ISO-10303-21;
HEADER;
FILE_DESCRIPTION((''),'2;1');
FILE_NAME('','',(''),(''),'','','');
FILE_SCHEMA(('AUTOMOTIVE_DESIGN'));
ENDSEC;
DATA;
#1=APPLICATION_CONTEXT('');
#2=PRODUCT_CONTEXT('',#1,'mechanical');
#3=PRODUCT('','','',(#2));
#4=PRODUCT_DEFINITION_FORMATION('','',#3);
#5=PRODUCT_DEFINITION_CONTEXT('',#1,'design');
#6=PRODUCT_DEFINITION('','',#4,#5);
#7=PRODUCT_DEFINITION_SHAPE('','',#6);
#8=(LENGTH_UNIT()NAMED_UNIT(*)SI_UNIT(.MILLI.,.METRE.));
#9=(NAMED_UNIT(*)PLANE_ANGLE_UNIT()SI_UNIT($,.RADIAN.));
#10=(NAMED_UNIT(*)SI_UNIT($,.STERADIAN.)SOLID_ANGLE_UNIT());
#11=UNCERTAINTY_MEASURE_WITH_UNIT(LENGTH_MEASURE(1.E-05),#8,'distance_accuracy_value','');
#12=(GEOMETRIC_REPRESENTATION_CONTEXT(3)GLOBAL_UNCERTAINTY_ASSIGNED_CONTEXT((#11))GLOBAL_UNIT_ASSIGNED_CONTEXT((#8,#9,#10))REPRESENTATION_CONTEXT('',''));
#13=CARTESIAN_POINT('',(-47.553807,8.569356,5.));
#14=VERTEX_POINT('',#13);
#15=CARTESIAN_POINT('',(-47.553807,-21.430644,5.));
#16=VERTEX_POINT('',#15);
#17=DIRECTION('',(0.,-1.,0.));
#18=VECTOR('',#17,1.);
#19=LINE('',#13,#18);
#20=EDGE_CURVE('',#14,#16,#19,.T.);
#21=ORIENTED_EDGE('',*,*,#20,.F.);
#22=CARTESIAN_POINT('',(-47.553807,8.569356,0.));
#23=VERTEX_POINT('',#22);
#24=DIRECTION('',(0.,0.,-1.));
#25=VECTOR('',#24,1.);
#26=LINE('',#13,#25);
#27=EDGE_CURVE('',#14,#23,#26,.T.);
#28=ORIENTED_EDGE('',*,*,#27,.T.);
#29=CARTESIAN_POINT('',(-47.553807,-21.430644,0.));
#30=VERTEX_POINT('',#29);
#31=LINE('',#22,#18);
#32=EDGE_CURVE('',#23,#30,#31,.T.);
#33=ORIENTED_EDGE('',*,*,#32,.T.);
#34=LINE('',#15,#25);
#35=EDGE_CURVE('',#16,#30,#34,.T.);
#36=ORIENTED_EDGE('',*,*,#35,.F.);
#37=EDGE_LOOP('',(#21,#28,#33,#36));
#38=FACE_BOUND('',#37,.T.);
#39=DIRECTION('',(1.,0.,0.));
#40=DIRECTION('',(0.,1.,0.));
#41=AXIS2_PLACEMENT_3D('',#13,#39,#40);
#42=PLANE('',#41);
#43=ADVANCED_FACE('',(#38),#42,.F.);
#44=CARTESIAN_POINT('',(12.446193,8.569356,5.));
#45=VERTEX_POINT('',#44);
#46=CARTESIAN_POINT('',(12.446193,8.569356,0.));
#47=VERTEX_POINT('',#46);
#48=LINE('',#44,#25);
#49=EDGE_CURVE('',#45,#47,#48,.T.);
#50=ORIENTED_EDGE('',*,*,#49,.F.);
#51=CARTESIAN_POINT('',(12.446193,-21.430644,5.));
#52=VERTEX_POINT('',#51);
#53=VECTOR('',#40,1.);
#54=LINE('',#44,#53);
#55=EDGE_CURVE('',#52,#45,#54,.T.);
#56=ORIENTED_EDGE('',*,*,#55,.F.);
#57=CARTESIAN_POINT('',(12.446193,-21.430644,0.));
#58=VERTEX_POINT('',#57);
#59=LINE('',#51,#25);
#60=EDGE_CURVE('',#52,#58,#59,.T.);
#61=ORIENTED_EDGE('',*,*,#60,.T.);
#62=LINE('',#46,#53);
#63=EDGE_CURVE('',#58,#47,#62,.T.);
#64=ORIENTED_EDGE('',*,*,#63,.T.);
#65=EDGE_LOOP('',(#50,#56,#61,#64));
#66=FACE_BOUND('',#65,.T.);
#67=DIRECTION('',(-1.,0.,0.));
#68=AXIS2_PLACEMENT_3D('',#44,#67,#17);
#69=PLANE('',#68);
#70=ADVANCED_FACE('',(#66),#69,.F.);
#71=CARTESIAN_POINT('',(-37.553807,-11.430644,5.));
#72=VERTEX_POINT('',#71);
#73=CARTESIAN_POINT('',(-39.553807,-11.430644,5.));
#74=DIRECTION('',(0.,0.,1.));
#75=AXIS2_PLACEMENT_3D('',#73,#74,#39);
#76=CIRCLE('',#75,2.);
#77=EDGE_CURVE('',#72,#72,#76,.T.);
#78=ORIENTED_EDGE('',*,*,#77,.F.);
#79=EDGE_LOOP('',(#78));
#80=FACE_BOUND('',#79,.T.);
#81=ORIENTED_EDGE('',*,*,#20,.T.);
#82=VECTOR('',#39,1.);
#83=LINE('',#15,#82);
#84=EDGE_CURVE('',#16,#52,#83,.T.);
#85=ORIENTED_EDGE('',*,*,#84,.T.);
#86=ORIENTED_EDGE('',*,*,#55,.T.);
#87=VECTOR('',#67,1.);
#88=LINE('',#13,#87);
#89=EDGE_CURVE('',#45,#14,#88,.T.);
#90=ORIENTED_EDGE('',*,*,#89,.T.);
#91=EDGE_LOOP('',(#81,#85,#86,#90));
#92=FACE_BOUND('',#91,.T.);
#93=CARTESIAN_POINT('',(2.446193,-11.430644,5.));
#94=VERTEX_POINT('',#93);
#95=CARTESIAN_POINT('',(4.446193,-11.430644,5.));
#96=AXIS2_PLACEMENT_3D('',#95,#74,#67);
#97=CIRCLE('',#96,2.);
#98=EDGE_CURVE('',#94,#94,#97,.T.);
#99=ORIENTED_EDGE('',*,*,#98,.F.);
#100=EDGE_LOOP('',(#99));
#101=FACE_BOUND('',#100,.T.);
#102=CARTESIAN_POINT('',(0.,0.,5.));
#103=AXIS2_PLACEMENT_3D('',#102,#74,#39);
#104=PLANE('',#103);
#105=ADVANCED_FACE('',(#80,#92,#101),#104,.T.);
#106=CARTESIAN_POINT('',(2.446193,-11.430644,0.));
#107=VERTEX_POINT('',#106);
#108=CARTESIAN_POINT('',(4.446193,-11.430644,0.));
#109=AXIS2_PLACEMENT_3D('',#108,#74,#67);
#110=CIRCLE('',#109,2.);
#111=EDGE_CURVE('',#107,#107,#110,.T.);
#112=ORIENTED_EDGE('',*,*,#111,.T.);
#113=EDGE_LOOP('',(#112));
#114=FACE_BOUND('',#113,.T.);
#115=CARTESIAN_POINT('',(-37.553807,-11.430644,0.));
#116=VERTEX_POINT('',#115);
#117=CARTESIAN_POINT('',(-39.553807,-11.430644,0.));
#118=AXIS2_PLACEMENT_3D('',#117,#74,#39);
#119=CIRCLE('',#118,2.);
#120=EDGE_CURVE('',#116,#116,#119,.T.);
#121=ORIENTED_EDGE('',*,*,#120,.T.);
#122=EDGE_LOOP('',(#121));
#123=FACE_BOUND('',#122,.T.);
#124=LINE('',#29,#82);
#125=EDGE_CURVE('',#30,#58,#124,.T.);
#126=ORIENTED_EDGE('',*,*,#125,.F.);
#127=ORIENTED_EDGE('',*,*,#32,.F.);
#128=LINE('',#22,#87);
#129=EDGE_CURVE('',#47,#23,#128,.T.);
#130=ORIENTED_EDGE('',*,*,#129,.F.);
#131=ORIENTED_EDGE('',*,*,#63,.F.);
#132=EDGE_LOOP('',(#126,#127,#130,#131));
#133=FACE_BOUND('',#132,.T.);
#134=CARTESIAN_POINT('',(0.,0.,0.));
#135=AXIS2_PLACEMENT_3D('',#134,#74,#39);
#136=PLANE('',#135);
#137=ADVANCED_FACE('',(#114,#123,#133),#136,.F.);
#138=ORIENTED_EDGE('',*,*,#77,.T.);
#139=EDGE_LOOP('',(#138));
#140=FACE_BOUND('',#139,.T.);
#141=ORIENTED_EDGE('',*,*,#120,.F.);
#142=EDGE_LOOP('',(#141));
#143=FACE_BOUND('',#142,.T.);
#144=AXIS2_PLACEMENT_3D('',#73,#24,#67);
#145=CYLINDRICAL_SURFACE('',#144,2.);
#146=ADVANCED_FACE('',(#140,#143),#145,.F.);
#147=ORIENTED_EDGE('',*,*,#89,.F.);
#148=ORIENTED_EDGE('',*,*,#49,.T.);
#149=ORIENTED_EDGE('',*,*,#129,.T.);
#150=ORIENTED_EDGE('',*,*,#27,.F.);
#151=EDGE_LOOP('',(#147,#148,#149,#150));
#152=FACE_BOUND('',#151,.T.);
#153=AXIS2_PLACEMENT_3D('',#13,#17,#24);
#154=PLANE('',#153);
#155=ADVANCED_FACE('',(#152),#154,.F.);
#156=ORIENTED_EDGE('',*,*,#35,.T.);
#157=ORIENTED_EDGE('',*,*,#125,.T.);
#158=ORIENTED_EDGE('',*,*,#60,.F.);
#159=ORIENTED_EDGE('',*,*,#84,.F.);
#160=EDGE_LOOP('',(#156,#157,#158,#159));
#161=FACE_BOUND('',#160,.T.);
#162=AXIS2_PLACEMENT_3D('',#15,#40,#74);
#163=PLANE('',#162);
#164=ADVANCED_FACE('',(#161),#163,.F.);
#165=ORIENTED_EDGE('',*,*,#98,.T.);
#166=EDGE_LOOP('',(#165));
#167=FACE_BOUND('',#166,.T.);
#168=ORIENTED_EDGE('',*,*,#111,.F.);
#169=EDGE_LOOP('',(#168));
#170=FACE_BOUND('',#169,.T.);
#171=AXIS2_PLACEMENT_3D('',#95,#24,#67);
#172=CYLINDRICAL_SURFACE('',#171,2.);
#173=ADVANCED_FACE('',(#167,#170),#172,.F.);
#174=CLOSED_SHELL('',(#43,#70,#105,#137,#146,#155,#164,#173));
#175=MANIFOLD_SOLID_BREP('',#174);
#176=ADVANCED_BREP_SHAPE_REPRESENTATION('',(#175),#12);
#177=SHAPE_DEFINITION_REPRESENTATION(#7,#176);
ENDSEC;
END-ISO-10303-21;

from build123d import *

# Parameters (mm, degrees)
SKETCH1_W           = 60
SKETCH1_H           = 30
SKETCH1_R           = 2
BOSS_EXTRUDE1_DEPTH = 5


with BuildPart() as part:
    # Sketch1 → Boss-Extrude1 (new body)
    with BuildSketch(Plane.XY):
        with Locations((-17.553806785, -6.430644457)):
            Rectangle(SKETCH1_W, SKETCH1_H)
        with Locations((-39.553806785, -11.430644457)):
            Circle(SKETCH1_R, mode=Mode.SUBTRACT)
        with Locations(Location((4.446193215, -11.430644457, 0), (0, 0, 180))):
            Circle(SKETCH1_R, mode=Mode.SUBTRACT)
    extrude(amount=BOSS_EXTRUDE1_DEPTH)


solid = part.part
